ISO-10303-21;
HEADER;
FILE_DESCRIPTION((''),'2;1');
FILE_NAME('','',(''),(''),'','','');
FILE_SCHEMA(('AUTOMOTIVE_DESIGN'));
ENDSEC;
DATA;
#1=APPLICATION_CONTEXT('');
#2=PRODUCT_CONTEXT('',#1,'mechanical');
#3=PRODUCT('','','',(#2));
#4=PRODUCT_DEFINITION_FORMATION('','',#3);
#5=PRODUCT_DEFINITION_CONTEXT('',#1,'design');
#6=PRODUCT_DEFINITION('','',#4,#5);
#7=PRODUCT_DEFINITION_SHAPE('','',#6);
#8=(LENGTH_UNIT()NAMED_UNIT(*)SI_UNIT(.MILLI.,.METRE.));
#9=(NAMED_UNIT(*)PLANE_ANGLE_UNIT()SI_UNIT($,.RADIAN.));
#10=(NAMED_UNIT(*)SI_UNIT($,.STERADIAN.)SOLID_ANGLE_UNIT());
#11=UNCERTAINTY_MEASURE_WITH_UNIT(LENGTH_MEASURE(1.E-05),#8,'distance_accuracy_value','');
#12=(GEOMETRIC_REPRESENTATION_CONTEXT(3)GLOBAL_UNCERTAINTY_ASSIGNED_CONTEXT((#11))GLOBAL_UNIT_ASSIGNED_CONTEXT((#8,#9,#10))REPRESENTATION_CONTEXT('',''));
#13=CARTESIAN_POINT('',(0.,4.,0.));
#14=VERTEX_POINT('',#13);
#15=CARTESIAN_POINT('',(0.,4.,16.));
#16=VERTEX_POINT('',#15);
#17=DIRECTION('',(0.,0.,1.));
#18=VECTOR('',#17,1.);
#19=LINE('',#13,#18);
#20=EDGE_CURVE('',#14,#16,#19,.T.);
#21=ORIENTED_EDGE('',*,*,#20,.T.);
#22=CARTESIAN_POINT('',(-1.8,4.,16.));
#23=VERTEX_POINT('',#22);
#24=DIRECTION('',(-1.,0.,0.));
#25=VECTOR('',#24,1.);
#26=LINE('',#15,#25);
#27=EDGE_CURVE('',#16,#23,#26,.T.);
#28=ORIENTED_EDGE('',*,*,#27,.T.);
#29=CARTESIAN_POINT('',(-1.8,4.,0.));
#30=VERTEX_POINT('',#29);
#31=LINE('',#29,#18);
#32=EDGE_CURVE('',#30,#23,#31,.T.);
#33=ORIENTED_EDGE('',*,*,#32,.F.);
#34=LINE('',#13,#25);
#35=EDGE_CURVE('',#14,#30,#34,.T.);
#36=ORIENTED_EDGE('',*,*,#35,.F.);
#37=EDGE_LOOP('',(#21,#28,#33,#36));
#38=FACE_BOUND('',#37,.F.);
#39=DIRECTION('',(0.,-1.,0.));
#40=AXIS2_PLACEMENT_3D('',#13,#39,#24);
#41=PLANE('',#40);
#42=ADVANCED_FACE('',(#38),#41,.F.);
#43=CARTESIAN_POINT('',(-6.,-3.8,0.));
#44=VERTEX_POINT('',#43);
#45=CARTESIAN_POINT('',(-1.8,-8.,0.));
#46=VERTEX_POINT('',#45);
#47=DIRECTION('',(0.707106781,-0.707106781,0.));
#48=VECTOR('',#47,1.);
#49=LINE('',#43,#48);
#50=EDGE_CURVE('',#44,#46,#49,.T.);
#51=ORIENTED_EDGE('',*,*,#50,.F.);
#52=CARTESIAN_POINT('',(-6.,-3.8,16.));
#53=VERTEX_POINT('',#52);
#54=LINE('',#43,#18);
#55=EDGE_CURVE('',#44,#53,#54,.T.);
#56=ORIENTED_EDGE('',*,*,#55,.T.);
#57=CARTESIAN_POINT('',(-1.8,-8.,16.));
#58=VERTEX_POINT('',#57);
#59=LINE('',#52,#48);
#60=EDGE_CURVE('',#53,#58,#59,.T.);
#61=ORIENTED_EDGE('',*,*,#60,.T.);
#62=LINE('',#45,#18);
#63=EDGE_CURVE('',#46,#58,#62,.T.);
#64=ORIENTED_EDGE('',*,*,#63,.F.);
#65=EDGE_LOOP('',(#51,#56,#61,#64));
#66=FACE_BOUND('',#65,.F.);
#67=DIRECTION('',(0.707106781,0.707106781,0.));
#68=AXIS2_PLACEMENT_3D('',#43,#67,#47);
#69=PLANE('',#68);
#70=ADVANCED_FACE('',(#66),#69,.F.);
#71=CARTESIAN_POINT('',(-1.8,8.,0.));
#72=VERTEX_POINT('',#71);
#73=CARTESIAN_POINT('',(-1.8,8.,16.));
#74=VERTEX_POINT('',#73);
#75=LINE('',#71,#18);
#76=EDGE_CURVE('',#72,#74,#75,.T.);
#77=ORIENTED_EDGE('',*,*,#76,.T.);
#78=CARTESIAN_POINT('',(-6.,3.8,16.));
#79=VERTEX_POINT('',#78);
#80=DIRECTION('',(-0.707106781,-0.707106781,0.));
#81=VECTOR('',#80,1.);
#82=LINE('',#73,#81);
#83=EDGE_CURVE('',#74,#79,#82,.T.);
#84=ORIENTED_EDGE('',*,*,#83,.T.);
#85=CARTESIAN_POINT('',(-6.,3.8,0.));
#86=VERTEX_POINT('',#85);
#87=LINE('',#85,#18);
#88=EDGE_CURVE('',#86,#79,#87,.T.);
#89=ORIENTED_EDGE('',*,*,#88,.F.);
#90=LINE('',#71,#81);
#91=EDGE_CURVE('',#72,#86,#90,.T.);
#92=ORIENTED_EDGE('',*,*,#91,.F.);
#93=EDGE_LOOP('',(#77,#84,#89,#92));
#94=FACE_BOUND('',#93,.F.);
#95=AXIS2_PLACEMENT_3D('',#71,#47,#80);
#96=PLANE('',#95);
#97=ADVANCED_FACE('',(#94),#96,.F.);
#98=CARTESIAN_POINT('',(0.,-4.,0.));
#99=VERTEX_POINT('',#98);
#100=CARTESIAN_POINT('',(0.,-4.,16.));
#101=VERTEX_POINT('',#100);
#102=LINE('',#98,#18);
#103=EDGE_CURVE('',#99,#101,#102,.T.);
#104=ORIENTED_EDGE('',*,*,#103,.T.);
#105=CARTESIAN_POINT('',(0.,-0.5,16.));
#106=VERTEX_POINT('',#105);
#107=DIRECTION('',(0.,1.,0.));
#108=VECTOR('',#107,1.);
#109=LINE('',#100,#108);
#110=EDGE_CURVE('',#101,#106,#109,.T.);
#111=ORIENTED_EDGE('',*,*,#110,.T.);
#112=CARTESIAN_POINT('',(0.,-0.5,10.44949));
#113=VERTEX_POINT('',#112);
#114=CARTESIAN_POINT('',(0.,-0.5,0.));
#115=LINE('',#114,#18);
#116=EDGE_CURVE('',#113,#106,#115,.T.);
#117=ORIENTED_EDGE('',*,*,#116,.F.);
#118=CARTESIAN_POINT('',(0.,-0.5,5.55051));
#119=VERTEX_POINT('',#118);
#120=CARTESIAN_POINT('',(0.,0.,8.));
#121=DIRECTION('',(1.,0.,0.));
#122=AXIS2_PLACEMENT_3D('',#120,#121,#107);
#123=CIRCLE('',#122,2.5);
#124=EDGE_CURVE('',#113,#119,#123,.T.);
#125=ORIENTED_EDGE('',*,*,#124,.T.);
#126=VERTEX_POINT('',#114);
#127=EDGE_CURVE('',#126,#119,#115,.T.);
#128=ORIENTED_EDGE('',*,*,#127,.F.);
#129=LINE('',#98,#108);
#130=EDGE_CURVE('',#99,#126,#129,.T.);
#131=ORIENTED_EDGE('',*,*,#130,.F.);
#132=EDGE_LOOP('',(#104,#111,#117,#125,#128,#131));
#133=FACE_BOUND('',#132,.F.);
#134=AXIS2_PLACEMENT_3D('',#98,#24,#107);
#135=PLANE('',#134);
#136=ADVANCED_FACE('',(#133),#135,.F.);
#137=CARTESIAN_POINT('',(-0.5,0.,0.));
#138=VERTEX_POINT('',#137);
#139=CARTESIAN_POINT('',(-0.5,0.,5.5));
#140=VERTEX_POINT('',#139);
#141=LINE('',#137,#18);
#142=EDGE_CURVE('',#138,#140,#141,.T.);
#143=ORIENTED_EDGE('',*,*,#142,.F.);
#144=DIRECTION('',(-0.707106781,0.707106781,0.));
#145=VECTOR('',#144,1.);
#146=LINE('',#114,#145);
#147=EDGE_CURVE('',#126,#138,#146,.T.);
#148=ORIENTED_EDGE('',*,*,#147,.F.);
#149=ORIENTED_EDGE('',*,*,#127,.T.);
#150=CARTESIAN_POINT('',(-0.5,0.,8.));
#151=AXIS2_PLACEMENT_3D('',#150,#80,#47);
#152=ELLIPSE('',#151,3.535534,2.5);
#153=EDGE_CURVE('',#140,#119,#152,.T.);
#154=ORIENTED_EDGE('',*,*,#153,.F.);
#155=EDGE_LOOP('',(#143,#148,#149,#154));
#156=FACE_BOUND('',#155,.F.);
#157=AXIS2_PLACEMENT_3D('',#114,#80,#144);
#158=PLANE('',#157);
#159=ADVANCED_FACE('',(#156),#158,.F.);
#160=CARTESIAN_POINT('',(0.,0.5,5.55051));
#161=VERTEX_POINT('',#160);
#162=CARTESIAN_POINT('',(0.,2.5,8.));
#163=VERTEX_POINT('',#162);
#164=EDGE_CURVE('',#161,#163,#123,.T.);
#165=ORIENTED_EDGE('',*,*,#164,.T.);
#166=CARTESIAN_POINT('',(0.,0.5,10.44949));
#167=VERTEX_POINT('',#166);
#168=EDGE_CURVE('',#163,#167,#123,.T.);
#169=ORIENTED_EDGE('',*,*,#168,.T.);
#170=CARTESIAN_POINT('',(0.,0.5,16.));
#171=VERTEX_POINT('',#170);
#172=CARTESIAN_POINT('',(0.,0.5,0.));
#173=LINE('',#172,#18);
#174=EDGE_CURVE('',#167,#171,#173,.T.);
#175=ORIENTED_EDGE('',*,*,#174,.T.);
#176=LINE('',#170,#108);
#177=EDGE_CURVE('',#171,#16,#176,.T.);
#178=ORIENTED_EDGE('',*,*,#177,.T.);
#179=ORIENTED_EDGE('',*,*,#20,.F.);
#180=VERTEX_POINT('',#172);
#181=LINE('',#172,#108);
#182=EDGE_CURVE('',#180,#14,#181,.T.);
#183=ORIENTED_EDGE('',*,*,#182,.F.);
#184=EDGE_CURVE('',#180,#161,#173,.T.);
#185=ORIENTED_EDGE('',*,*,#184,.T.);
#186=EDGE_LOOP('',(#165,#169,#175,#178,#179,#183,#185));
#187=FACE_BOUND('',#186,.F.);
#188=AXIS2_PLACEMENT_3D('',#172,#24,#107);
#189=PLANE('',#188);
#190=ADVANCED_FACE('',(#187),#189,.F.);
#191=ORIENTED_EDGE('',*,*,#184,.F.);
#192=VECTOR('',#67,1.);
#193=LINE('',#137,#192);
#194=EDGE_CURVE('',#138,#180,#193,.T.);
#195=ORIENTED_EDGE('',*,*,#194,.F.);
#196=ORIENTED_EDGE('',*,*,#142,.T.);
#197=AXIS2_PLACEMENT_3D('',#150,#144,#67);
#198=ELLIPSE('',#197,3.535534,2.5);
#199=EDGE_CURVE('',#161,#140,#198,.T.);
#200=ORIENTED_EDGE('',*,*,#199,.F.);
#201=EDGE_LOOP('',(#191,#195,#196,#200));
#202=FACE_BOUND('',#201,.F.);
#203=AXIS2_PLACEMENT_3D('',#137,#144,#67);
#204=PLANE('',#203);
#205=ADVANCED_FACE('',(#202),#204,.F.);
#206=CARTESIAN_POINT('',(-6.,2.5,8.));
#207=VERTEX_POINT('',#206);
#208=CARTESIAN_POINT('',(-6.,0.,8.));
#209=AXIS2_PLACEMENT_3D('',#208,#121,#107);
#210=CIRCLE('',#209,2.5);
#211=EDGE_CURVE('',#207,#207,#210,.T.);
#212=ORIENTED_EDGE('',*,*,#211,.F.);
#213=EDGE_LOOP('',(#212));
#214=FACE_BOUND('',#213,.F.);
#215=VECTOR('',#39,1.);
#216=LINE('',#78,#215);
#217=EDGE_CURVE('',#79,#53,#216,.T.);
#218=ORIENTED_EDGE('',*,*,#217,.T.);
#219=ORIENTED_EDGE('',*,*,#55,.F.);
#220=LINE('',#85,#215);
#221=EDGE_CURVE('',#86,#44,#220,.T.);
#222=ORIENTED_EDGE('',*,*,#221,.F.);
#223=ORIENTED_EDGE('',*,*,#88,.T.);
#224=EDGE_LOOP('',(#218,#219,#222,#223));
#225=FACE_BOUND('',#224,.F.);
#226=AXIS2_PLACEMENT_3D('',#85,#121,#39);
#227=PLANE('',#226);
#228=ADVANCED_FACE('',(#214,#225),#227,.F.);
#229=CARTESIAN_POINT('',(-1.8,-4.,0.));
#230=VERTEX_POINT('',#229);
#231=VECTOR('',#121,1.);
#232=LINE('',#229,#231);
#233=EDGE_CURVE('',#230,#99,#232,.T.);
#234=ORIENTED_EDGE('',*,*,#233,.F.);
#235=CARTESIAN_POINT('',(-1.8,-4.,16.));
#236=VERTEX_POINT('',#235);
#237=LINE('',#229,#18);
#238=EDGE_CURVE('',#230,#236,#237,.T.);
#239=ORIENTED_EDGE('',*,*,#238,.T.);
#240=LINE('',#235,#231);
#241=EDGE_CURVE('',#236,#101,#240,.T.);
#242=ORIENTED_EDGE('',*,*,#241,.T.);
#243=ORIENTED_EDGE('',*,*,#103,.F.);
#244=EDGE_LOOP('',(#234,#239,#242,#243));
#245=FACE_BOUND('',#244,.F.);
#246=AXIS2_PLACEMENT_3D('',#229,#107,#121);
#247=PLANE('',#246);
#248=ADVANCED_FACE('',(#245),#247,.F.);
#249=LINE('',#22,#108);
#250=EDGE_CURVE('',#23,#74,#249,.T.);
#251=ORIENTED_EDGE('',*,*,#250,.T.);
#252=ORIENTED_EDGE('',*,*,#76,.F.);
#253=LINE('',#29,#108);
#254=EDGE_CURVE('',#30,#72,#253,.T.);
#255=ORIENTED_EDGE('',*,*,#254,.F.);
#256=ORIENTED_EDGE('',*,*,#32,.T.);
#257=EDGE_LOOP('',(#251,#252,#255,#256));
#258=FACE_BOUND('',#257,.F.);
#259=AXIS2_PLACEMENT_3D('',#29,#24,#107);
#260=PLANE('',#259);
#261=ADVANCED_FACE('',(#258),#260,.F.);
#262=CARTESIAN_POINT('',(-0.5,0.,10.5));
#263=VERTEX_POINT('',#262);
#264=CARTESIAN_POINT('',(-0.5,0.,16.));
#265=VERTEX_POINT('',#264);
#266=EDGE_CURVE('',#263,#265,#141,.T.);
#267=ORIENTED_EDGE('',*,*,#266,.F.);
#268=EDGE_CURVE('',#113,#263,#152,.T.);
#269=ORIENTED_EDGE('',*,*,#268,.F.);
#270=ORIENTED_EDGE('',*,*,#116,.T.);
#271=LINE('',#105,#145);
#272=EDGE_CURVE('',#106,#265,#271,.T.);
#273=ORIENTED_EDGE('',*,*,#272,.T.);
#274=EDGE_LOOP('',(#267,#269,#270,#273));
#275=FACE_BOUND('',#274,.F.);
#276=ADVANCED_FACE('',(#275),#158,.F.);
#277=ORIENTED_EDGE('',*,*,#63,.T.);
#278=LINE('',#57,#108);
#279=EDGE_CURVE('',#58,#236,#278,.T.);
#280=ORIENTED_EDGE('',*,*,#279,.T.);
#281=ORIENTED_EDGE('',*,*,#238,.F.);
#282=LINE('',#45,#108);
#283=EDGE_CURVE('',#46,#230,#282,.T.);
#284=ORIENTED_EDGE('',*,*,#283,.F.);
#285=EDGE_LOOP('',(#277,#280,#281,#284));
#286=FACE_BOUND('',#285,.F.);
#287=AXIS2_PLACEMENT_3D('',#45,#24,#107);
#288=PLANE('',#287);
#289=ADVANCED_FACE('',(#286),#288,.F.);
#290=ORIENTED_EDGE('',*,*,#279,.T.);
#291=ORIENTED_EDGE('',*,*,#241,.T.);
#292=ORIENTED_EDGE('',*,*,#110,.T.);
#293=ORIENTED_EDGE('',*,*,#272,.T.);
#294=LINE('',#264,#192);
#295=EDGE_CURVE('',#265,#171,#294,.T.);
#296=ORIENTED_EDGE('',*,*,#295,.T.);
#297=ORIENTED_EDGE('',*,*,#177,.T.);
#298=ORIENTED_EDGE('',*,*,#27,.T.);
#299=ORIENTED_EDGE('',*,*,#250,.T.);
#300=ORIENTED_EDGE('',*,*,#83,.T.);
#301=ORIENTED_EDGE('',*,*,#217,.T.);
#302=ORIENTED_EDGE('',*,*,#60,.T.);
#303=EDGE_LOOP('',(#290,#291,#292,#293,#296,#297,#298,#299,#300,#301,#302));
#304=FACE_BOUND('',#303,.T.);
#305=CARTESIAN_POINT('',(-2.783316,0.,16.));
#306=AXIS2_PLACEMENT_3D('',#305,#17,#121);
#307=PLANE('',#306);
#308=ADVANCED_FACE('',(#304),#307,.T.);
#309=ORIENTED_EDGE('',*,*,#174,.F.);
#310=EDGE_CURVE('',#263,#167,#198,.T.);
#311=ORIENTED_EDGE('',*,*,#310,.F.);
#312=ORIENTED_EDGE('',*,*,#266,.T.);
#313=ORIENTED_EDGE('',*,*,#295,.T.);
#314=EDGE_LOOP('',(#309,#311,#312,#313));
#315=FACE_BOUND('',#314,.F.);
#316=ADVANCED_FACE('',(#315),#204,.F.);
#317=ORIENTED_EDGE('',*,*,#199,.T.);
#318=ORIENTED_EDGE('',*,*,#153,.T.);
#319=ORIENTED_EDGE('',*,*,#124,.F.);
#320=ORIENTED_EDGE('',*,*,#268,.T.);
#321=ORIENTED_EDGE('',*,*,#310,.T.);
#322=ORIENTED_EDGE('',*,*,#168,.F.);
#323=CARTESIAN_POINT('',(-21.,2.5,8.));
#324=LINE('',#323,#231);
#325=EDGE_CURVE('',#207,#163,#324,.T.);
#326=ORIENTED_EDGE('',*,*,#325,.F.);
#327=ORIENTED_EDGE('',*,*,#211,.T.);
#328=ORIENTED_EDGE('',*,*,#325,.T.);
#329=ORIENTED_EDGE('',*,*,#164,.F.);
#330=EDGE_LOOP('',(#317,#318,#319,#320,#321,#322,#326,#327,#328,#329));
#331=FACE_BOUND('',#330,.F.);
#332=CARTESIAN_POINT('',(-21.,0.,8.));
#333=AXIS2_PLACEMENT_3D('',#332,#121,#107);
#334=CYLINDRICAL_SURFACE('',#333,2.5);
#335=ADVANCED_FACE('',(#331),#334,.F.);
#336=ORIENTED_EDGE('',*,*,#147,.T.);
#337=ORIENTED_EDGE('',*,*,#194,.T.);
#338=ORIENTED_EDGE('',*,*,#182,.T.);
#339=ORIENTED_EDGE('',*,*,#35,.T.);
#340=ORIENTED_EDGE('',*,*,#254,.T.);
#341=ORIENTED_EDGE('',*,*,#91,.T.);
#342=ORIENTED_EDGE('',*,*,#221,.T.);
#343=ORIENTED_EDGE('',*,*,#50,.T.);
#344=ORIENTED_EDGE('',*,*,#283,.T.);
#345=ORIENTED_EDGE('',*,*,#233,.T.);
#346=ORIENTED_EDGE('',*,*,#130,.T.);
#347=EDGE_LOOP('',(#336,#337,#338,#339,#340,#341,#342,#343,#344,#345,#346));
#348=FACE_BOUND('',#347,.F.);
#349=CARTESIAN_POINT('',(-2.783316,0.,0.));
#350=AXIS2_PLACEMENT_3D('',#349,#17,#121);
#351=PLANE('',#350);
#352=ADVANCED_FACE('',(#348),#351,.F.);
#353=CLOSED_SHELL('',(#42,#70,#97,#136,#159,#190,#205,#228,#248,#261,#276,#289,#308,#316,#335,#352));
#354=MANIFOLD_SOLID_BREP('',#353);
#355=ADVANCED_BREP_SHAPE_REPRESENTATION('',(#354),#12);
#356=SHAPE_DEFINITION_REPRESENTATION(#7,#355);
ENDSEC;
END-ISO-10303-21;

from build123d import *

# Parameters (mm, degrees)
F1_DEPTH = 16
F3_D     = 5
F3_DEPTH = 15
F3_TIP   = 1.5021515476


with BuildPart() as f1:
    # F0 (on Top) → F1 (new body)
    with BuildSketch(Plane.XY):
        Polygon((-0.5, 0), (0, 0.5), (0, 4), (-1.8, 4), (-1.8, 8), (-6, 3.8), (-6, 0), (-6, -3.8), (-1.8, -8), (-1.8, -4), (0, -4), (0, -0.5), align=None)
    extrude(amount=F1_DEPTH)

    # F3
    with Locations(Plane(origin=(-6, 0, 0), x_dir=(0, -1, 0), z_dir=(-1, 0, 0))):
        with Locations((0, 8)):
            Hole(F3_D / 2, depth=F3_DEPTH)
            with Locations((0, 0, -(F3_DEPTH + F3_TIP / 2))):  # 118° drill point
                Cone(0, F3_D / 2, F3_TIP, mode=Mode.SUBTRACT)


solid = f1.part
